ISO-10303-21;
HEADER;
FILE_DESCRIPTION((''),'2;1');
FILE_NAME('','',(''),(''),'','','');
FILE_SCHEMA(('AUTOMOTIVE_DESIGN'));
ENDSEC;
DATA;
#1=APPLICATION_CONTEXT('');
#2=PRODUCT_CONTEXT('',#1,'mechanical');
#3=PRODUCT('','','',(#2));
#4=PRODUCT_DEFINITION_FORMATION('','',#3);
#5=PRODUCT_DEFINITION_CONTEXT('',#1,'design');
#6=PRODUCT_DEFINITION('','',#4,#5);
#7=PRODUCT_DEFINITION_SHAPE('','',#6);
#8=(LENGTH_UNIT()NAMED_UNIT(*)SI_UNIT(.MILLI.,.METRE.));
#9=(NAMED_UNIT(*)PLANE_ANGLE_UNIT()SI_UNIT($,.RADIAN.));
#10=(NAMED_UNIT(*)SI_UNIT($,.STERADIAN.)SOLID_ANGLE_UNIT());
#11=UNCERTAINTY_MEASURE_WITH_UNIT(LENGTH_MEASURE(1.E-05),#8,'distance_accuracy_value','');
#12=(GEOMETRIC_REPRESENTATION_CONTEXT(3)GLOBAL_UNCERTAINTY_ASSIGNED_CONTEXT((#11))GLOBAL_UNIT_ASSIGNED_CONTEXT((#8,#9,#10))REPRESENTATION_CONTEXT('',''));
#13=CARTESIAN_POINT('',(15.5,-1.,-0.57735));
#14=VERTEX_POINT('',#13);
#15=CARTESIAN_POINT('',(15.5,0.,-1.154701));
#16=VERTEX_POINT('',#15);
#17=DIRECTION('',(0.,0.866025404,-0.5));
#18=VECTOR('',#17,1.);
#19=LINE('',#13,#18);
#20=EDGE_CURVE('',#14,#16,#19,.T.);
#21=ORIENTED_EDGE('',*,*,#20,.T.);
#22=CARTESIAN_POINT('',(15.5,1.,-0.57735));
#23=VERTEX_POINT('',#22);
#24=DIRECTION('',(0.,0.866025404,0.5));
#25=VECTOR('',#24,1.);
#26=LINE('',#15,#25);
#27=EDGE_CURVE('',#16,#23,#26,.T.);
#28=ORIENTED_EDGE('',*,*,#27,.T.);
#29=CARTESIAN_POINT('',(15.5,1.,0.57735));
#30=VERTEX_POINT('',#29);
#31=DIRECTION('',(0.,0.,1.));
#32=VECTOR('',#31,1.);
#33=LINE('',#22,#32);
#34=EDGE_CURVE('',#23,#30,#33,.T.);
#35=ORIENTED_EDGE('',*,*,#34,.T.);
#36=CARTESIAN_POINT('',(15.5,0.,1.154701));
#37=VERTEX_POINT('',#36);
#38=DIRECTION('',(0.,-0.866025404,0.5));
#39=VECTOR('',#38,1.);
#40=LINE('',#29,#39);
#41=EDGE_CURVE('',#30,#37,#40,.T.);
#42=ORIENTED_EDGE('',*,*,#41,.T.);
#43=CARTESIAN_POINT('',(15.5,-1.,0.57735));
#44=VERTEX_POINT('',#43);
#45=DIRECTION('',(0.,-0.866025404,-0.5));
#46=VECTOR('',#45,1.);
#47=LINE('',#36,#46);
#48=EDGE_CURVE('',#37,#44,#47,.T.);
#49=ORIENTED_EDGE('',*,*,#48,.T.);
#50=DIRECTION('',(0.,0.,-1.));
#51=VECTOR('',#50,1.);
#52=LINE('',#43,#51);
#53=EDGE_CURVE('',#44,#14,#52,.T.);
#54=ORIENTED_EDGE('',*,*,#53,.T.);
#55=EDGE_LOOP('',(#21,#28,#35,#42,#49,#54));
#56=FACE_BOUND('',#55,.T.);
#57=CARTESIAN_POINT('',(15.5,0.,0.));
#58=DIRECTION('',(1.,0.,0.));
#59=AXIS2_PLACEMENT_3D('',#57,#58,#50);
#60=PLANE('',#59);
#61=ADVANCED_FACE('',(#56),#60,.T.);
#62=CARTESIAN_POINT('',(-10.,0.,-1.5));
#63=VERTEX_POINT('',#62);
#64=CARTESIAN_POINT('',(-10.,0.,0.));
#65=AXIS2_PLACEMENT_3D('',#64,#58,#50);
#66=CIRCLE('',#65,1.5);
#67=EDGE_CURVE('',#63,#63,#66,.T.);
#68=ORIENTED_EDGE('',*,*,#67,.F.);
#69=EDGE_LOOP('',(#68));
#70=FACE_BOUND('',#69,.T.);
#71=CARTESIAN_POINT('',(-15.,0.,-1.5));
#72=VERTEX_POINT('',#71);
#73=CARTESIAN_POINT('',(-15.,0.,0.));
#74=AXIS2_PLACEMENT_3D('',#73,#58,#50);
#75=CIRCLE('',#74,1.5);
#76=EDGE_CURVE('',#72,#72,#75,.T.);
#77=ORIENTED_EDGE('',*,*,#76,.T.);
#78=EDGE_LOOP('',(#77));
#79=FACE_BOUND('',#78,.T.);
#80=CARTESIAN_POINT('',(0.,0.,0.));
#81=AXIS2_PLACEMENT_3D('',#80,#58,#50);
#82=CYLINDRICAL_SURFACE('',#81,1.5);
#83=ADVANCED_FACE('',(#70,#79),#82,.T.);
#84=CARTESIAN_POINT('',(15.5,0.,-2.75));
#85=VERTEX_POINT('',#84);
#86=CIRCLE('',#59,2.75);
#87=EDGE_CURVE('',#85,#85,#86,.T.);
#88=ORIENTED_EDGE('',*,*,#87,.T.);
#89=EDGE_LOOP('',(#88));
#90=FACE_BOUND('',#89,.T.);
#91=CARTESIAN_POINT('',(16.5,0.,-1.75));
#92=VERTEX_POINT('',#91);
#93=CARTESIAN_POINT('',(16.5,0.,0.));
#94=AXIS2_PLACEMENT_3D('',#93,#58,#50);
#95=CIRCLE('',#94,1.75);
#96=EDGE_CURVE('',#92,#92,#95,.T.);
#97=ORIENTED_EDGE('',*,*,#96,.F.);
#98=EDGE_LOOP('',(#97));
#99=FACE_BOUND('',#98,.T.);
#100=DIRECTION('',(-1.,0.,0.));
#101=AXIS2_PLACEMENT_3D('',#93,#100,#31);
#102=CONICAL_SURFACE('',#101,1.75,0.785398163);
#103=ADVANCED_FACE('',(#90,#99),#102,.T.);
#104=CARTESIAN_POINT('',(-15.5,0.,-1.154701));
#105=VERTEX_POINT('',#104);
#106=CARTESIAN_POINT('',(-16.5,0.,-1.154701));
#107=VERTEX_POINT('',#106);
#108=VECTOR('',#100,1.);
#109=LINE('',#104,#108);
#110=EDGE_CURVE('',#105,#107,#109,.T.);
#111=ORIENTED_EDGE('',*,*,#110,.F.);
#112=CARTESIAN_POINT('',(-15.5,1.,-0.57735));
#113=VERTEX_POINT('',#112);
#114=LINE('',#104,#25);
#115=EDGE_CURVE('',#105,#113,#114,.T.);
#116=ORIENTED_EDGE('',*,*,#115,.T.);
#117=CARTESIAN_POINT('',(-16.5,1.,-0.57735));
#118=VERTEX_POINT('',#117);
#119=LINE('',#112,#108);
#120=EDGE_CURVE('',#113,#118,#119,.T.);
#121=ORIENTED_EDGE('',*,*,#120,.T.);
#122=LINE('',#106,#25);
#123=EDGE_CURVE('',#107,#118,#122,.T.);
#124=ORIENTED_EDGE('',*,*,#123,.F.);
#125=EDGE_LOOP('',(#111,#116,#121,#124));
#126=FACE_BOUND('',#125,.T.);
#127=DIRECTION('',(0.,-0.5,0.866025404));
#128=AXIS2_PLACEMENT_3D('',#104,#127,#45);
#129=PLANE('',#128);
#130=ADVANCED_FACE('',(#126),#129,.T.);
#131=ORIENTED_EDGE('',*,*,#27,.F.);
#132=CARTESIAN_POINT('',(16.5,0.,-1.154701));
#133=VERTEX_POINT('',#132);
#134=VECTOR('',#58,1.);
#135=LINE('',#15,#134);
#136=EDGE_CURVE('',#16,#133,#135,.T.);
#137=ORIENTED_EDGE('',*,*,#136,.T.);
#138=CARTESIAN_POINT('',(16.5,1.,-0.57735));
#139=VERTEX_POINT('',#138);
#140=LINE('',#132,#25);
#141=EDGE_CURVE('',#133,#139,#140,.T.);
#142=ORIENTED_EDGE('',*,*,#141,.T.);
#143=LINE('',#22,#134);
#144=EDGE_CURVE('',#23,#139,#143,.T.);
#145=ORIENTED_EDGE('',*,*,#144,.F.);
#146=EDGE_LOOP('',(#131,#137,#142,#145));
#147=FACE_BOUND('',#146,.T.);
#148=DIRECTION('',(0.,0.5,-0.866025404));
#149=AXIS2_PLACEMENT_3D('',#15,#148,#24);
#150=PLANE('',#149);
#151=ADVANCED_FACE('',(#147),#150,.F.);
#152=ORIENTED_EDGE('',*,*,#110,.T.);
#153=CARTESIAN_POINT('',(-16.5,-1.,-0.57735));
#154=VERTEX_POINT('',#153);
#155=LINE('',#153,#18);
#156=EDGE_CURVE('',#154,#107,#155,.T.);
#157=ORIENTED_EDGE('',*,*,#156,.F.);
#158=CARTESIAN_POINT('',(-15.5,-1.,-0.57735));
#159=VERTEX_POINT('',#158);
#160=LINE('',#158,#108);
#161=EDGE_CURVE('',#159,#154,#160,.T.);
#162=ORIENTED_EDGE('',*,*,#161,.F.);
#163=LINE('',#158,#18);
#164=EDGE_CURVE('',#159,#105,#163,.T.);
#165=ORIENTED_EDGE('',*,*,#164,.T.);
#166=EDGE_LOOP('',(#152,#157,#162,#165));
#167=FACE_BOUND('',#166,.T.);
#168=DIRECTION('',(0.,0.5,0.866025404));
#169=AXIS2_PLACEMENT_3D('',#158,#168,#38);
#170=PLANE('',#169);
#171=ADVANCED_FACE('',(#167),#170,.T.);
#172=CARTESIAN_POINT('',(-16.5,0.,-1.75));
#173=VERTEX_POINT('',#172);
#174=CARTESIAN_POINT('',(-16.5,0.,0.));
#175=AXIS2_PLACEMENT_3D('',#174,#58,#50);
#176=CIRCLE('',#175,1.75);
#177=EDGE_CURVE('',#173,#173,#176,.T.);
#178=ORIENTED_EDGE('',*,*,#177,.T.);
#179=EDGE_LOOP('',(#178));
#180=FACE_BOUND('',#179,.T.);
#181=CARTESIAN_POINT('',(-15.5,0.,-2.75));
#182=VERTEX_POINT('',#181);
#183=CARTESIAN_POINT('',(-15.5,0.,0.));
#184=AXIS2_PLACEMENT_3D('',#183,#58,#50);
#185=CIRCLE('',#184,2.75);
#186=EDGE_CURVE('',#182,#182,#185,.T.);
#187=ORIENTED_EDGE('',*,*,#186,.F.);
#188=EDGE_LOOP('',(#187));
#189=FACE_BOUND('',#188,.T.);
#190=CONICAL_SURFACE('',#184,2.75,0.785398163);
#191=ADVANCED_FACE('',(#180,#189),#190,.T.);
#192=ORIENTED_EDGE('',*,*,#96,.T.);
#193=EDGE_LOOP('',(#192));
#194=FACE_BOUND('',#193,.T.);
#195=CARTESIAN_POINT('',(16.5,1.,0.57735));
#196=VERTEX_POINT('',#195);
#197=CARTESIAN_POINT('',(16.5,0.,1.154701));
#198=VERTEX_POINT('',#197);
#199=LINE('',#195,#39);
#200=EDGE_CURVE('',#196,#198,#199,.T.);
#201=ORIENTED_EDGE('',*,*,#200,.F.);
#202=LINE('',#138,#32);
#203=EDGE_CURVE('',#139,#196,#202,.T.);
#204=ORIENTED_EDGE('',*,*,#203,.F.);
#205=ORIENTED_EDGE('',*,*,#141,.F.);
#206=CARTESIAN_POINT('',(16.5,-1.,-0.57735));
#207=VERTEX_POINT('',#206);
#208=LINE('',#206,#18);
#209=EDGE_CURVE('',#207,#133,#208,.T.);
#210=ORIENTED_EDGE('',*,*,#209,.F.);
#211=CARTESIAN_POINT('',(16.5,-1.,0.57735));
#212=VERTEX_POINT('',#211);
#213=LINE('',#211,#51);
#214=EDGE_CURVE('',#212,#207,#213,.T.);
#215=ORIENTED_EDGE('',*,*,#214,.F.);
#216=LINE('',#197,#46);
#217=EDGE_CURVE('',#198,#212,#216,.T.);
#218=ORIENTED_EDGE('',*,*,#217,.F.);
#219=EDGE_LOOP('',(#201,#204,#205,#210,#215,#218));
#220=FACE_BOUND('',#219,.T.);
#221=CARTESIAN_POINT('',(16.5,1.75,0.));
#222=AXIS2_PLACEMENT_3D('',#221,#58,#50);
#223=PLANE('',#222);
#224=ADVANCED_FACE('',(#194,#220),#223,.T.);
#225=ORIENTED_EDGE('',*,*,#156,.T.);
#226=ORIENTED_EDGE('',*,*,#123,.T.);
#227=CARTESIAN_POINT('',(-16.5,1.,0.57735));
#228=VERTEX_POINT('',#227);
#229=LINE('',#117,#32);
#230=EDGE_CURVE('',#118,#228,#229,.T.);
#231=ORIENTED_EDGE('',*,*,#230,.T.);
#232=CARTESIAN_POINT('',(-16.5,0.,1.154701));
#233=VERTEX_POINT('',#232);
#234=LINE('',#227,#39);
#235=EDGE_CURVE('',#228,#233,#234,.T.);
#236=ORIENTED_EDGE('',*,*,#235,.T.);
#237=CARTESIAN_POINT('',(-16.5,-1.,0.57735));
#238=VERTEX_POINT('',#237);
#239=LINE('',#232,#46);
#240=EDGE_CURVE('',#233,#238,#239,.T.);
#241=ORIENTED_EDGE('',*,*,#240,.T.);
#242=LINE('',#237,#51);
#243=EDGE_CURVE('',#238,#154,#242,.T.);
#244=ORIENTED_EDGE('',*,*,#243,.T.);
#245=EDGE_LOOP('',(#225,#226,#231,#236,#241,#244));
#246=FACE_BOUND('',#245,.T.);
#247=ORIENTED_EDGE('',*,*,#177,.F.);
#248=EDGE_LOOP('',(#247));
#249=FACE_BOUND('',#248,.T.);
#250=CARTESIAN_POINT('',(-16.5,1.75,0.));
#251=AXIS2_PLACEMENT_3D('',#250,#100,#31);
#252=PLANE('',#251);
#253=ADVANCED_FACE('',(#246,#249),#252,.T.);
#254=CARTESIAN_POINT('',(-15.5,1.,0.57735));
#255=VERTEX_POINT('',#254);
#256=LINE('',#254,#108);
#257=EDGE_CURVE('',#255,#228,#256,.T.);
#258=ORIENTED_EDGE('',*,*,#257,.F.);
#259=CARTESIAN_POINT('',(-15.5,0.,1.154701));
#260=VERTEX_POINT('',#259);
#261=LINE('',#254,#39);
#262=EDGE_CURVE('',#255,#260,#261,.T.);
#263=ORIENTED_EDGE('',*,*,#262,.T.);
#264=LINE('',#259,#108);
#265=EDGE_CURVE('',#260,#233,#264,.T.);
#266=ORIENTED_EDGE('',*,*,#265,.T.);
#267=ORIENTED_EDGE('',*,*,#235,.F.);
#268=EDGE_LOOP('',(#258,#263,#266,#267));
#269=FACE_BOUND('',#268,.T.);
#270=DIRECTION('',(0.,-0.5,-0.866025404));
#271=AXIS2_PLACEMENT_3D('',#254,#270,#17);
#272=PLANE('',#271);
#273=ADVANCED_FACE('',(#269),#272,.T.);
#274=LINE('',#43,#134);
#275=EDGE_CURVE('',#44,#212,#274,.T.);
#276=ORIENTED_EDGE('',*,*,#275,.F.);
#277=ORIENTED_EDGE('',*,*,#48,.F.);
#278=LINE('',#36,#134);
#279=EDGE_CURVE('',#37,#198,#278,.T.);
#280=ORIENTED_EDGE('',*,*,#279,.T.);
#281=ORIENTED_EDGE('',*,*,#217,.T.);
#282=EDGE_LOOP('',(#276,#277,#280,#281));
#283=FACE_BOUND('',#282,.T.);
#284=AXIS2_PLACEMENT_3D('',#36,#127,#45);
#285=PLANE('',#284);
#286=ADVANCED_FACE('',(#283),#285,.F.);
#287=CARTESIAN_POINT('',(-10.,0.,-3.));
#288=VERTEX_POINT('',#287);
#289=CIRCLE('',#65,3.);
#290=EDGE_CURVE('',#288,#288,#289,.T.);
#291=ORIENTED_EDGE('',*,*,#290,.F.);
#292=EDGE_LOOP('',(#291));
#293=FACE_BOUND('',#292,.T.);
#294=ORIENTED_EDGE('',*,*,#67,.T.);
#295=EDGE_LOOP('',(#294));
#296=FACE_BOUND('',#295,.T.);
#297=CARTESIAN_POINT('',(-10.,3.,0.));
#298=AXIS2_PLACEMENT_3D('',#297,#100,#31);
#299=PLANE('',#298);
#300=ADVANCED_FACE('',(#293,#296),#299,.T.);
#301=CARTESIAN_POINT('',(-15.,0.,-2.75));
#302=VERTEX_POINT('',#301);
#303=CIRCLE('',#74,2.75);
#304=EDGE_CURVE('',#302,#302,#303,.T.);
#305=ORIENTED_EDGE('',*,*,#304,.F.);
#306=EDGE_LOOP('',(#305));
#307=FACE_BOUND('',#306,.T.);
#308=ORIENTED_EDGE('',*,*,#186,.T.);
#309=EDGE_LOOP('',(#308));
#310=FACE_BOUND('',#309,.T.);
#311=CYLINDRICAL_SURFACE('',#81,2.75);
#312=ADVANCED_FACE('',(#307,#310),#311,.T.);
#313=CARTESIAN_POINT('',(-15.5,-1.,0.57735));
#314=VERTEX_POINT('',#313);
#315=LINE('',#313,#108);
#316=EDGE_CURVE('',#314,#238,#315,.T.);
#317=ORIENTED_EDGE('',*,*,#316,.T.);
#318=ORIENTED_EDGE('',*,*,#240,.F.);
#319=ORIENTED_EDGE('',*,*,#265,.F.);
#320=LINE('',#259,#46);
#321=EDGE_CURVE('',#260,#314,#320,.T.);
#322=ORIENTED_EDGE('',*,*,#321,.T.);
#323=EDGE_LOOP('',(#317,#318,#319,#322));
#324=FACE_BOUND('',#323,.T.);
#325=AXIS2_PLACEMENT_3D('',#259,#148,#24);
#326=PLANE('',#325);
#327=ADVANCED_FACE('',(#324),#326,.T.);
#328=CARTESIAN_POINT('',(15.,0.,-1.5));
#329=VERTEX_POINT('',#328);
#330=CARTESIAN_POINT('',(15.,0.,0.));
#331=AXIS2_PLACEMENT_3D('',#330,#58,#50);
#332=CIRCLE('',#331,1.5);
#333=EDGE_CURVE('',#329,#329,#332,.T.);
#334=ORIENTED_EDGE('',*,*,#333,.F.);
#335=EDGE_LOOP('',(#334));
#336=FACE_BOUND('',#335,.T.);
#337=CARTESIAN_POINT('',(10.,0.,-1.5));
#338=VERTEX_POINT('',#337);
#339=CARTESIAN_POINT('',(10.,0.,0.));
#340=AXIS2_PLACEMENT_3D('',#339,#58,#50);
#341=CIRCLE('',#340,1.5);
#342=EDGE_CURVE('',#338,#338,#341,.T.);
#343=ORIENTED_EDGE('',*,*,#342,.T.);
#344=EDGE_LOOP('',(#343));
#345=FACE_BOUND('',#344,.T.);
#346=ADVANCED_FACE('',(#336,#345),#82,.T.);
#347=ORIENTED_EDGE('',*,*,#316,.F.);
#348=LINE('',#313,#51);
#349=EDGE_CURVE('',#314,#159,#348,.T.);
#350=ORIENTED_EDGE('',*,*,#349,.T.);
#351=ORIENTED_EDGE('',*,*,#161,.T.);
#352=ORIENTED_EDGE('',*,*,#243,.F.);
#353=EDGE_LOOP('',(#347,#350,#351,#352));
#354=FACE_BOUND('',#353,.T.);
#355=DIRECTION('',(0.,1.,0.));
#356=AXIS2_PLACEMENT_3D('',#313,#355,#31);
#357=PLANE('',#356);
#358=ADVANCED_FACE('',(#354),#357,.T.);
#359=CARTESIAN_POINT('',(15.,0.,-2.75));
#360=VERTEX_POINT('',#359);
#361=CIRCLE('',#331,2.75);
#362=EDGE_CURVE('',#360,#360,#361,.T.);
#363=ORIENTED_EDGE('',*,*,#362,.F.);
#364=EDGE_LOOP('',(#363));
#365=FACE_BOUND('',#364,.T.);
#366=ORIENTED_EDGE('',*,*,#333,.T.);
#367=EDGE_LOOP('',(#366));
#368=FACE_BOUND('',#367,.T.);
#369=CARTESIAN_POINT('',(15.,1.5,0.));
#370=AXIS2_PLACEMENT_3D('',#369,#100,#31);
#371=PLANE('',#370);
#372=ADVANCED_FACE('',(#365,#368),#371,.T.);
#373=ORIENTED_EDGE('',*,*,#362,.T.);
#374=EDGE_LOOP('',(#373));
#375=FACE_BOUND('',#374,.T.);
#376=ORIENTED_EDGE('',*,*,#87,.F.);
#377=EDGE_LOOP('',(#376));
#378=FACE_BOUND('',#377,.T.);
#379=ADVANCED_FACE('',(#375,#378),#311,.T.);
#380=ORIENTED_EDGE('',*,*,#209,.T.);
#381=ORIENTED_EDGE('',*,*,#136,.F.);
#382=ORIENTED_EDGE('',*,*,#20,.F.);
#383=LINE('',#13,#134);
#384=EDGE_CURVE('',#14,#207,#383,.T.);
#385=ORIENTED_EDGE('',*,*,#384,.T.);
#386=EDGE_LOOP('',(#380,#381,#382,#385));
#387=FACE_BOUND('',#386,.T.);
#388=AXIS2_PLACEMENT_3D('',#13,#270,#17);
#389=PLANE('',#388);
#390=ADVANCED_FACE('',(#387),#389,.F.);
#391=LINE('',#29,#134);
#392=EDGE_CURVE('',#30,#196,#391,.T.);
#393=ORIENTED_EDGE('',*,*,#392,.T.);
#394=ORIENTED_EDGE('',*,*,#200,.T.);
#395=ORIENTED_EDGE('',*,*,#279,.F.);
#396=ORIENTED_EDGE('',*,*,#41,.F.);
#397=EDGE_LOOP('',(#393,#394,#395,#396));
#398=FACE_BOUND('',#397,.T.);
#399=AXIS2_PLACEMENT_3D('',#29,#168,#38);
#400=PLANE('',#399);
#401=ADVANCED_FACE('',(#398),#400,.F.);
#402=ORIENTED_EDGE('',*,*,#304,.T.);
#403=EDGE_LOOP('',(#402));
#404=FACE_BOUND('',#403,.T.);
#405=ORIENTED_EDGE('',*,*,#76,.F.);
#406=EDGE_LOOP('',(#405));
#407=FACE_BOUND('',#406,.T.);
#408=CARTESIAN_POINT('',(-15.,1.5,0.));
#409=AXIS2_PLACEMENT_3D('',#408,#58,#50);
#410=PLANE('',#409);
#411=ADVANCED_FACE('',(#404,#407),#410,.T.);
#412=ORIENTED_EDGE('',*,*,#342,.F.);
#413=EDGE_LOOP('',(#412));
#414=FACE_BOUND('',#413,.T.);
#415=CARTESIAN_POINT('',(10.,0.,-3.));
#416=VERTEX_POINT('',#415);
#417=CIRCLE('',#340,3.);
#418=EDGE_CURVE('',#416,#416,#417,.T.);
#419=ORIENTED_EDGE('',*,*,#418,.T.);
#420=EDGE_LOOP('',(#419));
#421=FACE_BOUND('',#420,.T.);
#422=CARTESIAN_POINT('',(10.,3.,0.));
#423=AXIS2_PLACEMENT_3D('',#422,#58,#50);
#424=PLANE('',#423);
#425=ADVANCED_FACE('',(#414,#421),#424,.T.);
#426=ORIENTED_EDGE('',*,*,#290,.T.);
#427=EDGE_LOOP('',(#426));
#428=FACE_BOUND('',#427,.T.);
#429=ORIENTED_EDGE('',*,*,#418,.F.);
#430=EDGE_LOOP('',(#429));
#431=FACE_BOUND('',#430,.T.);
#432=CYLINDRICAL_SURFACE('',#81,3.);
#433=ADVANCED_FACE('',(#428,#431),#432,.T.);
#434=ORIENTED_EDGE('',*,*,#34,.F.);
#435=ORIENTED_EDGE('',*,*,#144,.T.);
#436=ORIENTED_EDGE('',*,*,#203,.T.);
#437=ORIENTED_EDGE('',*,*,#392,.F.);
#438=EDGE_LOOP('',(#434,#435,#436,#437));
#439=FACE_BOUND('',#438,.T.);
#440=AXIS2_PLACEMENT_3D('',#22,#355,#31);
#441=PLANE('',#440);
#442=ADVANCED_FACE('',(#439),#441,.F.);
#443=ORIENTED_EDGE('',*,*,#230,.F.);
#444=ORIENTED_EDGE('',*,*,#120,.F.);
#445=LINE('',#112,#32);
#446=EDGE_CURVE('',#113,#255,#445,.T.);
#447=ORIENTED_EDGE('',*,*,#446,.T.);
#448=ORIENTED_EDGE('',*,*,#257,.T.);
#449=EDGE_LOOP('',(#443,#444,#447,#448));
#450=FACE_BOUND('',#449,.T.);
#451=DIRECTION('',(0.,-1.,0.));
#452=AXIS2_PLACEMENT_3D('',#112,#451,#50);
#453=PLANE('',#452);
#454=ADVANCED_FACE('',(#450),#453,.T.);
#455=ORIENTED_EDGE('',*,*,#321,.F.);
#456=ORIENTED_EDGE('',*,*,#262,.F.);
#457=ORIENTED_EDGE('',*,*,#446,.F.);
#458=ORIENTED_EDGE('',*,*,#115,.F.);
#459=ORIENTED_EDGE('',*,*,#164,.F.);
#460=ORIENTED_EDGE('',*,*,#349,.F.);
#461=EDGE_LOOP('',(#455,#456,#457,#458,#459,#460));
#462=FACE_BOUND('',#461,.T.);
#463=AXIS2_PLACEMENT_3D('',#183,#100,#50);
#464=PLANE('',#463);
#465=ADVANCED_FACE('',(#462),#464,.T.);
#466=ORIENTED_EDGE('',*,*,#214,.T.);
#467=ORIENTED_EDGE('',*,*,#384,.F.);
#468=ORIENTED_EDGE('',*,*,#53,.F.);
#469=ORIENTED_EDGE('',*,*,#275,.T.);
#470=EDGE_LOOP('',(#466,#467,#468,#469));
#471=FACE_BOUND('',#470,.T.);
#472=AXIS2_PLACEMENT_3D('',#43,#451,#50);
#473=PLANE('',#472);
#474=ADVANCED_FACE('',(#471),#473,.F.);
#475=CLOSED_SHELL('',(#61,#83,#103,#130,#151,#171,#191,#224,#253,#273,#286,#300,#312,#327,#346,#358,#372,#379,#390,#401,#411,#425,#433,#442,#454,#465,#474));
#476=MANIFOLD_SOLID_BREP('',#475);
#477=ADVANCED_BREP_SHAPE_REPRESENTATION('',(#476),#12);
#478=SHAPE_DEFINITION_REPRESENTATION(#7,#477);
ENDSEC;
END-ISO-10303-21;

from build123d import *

# Parameters (mm, degrees)
ENL_V_MAT_EXTRU_1_DEPTH = 1


with BuildPart() as part:
    # Esquisse1 → Révolution1 (revolve)
    with BuildSketch(Plane.XY, mode=Mode.PRIVATE) as r_volution1_sk:
        Polygon((10, 3), (-10, 3), (-10, 1.5), (-15, 1.5), (-15, 2.75), (-15.5, 2.75), (-16.5, 1.75), (-16.5, 0), (16.5, 0), (16.5, 1.75), (15.5, 2.75), (15, 2.75), (15, 1.5), (10, 1.5), align=None)
    revolve(r_volution1_sk.sketch.rotate(Axis((0, 0, 0), (-1, 0, 0)), 90), axis=Axis((0, 0, 0), (-1, 0, 0)))

    # Esquisse2 → Enlèv. mat.-Extru.1 (cut)
    with BuildSketch(Plane(origin=(16.5, 0, 0), x_dir=(0, 0, -1), z_dir=(1, 0, 0))):
        Polygon((0.577350269, 1), (-0.577350269, 1), (-1.154700538, 0), (-0.577350269, -1), (0.577350269, -1), (1.154700538, 0), align=None)
    enl_v_mat_extru_1 = extrude(amount=-ENL_V_MAT_EXTRU_1_DEPTH, mode=Mode.SUBTRACT)

    # Symétrie1: Enlèv. mat.-Extru.1 across plane
    add(enl_v_mat_extru_1.mirror(Plane(origin=(0, 0, 0), x_dir=(0, 0, 1), z_dir=(1, 0, 0))), mode=Mode.SUBTRACT)


solid = part.part
